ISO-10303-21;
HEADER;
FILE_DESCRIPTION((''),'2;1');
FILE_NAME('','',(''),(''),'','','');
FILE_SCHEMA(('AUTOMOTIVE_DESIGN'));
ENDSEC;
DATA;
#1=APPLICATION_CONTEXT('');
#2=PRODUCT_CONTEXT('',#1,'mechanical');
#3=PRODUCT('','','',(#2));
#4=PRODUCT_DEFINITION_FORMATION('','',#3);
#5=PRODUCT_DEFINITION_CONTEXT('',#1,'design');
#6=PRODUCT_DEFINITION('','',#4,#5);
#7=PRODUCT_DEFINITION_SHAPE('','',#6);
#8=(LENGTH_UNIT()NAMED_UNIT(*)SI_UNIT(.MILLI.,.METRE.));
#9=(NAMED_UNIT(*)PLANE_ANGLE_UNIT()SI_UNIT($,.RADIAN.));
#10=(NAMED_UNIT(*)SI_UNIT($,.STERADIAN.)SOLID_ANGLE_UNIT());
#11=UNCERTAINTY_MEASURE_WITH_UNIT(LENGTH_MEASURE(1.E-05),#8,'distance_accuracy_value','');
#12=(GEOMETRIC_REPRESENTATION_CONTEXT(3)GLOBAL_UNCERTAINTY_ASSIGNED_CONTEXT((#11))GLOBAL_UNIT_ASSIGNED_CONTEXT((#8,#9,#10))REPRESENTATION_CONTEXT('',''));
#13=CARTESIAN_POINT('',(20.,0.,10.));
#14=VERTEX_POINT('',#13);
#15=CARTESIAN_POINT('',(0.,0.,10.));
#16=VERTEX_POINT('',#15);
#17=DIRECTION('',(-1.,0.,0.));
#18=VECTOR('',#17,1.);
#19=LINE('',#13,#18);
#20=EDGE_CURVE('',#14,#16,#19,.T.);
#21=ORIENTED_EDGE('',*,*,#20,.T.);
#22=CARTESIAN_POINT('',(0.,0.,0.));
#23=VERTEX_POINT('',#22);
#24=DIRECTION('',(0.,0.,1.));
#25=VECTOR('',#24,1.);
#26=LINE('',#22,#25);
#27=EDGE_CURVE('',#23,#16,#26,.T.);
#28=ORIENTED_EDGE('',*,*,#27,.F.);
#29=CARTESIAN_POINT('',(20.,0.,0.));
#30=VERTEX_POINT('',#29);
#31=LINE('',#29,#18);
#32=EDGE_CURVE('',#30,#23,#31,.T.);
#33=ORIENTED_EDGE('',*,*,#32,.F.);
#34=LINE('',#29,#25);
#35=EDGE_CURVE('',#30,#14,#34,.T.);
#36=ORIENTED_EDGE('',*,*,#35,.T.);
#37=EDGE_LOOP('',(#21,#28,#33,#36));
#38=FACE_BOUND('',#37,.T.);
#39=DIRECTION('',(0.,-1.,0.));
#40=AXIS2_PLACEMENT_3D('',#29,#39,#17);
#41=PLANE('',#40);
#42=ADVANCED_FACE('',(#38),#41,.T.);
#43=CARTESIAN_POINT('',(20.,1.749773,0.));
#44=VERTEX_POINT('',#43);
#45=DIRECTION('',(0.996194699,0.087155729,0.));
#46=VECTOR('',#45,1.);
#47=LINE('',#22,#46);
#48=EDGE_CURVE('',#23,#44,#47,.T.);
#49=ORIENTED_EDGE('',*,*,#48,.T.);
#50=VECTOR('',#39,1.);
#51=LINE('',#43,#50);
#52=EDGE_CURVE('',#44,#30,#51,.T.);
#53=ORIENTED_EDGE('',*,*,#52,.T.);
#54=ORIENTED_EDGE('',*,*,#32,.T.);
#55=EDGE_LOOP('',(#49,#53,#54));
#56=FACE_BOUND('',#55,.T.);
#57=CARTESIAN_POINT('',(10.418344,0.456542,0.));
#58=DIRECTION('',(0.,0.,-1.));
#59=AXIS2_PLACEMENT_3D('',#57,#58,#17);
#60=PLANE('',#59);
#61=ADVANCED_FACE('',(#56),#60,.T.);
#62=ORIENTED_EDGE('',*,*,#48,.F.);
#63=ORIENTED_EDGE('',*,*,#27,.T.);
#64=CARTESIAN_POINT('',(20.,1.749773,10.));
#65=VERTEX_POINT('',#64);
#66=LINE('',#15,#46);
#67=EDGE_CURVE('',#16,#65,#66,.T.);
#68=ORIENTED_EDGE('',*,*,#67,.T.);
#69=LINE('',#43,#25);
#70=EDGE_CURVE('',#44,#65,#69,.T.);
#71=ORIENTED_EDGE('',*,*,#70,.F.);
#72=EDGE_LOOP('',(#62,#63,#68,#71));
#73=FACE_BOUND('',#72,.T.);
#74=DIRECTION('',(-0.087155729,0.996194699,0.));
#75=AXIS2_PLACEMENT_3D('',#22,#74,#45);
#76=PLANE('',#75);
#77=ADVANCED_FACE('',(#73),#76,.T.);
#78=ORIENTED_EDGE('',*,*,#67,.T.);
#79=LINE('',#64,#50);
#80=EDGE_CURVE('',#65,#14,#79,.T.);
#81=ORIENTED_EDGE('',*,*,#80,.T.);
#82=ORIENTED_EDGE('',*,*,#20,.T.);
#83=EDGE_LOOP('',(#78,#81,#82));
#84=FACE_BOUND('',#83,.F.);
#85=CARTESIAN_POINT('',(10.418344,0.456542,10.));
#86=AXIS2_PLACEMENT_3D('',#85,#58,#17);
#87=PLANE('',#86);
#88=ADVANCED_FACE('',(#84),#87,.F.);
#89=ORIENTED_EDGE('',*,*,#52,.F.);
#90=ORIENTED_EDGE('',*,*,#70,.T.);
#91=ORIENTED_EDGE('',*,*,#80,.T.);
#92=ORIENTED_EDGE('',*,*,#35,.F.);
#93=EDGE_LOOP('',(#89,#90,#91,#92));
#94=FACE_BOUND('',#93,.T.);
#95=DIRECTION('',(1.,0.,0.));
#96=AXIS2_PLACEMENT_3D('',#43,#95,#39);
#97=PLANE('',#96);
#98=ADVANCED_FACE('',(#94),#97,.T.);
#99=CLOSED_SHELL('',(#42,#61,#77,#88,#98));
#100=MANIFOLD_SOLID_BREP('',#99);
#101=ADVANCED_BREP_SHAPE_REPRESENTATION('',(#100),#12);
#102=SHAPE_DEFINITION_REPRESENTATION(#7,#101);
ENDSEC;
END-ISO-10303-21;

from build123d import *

# Parameters (mm, degrees)
EXTRUDE_DEPTH = 10


with BuildPart() as part:
    # Sketch → Extrude (new body)
    with BuildSketch(Plane.XY):
        Polygon((0, 0), (20, 1.749773), (20, 0), align=None)
    extrude(amount=EXTRUDE_DEPTH)


solid = part.part
